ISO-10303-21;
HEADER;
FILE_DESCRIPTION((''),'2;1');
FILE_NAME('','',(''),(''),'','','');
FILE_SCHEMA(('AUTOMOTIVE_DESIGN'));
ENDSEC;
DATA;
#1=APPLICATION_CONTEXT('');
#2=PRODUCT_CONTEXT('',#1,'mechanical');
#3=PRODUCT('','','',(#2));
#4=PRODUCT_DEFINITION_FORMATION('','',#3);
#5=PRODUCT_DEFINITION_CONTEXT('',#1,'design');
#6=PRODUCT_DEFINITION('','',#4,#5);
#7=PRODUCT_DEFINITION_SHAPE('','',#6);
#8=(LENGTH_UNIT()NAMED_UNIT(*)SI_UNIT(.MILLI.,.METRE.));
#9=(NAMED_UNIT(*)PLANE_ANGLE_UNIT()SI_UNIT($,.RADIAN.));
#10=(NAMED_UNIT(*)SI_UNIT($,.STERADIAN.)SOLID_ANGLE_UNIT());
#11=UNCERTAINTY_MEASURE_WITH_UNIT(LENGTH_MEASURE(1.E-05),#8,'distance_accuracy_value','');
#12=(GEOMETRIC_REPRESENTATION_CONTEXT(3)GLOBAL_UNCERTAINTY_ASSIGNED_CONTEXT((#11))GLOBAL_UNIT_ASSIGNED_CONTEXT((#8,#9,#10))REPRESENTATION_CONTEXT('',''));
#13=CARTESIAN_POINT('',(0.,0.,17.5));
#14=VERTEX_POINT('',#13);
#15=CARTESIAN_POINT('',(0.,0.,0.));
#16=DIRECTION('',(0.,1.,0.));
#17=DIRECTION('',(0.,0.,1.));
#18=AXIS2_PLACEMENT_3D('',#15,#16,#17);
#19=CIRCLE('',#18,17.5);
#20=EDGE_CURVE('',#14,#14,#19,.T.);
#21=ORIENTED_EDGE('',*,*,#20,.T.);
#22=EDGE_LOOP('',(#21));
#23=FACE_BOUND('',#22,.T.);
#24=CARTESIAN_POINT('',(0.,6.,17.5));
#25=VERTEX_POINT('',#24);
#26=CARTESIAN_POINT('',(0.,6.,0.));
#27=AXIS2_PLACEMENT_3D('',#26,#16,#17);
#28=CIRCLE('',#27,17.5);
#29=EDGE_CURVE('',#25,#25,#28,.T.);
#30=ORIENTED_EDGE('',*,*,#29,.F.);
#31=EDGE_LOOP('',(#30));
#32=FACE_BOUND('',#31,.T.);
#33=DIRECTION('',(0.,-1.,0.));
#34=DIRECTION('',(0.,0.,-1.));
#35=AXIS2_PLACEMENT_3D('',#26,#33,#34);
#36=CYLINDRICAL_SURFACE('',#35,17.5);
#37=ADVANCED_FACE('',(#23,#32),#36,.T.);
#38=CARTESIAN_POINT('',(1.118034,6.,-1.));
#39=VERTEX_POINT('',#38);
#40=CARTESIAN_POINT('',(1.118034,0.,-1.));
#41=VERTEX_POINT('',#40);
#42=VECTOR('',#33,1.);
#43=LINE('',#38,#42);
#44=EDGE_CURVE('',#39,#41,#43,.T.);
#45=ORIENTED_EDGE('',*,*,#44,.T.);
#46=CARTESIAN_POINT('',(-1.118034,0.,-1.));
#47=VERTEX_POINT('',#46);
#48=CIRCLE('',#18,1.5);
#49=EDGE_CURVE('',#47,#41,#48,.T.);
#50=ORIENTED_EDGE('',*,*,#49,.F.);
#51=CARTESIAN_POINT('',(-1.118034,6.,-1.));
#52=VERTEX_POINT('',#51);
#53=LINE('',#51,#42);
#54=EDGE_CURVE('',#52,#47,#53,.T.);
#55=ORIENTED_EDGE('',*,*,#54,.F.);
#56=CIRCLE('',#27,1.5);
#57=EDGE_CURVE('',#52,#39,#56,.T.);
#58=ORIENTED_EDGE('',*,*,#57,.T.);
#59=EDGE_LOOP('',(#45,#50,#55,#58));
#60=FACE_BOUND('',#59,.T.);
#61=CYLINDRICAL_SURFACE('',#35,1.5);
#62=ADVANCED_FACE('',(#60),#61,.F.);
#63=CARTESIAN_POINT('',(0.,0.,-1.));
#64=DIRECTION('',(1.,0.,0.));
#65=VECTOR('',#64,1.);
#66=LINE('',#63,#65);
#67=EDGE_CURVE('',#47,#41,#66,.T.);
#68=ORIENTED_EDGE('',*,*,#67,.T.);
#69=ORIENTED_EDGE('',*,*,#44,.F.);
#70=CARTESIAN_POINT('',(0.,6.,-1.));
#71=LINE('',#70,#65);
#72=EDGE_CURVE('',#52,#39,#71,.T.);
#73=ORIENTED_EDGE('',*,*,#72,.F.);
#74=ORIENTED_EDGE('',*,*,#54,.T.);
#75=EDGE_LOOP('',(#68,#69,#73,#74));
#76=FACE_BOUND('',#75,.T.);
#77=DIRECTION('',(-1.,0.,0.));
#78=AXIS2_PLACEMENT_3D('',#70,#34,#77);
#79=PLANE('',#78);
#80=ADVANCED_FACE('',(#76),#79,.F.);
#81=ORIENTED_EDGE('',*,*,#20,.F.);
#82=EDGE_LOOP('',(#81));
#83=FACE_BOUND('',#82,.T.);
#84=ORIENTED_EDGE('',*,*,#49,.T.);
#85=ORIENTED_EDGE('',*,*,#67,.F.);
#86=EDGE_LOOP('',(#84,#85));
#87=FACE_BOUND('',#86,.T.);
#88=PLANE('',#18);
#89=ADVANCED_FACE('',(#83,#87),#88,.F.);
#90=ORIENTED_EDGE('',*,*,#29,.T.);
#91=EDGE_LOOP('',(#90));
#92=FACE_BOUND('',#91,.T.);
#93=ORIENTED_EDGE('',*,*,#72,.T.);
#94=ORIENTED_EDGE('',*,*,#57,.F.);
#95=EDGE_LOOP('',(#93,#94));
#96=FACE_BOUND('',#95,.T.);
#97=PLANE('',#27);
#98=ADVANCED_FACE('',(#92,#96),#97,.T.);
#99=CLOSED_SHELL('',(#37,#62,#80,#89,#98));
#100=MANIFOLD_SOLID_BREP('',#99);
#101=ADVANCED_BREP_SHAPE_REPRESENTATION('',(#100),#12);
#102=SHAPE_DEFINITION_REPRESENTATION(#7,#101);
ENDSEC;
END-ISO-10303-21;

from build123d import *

# Parameters (mm, degrees)
SKETCH1_R           = 17.5
BOSS_EXTRUDE1_DEPTH = 6


with BuildPart() as part:
    # Sketch1 → Boss-Extrude1 (new body)
    with BuildSketch(Plane(origin=(0, 0, 0), x_dir=(1, 0, 0), z_dir=(0, 1, 0))):
        with Locations(Location((0, 0, 0), (0, 0, 270))):
            Circle(SKETCH1_R)
        with BuildLine():
            Line((-1.118033989, 1), (1.118033989, 1))
            ThreePointArc((1.118033989, 1), (0, -1.5), (-1.118033989, 1))
        make_face(mode=Mode.SUBTRACT)
    extrude(amount=BOSS_EXTRUDE1_DEPTH)


solid = part.part
